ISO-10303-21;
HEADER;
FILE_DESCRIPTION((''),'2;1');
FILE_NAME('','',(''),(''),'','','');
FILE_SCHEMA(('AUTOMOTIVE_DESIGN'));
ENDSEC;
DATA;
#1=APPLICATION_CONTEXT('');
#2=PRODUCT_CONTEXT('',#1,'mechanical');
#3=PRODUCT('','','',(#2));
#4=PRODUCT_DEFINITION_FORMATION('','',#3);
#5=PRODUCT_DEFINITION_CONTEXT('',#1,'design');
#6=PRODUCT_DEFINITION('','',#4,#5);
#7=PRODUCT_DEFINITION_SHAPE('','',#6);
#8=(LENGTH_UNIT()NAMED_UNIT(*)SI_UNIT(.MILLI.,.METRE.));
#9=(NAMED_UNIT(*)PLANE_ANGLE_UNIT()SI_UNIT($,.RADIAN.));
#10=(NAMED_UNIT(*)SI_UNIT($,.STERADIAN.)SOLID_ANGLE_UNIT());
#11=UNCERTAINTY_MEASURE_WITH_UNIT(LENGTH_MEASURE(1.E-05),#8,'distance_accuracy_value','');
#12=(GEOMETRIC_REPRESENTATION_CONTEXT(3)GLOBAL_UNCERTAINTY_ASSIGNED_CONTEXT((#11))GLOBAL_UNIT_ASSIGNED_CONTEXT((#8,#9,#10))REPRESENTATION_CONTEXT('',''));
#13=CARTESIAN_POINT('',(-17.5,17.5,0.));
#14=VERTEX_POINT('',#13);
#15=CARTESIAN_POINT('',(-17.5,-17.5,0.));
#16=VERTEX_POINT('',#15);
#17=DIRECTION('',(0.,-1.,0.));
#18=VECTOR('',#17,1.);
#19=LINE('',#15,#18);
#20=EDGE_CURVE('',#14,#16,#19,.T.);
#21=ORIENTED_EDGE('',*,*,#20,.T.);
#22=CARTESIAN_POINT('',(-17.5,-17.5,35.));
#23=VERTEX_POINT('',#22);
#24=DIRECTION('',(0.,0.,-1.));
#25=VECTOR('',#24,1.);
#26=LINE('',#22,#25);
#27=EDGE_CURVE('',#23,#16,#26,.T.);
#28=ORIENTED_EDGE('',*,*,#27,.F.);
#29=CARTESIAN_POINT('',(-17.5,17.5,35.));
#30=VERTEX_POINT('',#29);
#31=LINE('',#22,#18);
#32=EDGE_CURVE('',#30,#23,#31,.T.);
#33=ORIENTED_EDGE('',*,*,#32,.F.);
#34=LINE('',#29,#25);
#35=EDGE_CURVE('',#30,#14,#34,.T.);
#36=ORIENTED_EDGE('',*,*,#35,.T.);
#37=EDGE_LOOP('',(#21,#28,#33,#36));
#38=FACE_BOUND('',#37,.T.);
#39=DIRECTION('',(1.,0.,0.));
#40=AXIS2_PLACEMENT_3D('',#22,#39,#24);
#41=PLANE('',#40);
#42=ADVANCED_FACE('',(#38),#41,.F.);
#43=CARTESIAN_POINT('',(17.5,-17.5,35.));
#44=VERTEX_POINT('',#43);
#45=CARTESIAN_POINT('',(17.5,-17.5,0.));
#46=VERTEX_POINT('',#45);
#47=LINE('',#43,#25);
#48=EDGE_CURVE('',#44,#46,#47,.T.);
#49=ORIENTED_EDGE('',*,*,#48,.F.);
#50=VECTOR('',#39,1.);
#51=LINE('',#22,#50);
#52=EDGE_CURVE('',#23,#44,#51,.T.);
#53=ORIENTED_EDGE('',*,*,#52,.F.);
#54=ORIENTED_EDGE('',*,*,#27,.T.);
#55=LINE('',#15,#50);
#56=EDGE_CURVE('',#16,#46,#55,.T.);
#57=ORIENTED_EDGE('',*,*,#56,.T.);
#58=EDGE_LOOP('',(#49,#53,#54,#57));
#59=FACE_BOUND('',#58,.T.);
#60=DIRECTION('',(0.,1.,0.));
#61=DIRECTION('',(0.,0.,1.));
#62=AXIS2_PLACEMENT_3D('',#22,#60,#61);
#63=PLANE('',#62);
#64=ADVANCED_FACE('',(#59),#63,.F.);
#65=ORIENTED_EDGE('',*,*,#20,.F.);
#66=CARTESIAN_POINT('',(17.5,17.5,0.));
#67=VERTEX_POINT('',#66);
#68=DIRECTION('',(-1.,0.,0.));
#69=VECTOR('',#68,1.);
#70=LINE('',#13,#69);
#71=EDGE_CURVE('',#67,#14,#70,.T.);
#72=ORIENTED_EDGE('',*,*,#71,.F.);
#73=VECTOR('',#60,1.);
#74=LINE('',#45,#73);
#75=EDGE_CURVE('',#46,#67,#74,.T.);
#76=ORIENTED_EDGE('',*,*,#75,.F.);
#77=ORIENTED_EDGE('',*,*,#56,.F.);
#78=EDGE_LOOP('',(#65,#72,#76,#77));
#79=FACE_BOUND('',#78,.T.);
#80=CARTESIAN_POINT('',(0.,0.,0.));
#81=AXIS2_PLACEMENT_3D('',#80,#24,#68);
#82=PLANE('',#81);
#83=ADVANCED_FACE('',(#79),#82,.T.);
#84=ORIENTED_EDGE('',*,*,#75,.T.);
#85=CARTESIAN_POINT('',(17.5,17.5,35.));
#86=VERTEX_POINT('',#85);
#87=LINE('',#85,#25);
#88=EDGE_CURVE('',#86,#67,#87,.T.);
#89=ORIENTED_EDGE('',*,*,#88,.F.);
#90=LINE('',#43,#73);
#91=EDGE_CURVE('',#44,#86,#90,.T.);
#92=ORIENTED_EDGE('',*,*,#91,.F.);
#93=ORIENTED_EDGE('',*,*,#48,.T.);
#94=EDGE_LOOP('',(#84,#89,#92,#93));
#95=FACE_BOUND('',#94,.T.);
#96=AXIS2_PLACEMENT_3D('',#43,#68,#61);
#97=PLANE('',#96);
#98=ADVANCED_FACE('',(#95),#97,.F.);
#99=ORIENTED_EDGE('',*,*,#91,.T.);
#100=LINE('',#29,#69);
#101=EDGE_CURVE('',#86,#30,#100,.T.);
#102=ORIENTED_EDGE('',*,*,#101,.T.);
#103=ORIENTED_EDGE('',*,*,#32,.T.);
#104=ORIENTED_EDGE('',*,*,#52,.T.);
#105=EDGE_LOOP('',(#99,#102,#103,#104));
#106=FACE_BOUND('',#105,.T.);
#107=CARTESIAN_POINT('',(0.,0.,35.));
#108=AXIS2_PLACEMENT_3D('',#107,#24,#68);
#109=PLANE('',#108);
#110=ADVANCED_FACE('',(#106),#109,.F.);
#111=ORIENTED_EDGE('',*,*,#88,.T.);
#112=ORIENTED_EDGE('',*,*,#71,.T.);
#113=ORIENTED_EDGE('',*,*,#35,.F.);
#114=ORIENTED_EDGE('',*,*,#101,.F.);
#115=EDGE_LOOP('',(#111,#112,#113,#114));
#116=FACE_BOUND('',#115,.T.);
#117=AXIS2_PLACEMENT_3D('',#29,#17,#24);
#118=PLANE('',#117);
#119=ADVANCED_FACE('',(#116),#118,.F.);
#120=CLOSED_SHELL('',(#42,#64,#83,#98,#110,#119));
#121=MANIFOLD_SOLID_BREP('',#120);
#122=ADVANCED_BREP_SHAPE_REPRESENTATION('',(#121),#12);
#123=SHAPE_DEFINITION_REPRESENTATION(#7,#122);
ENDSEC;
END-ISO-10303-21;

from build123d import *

# Parameters (mm, degrees)
SZKIC1_W                    = 35
SZKIC1_H                    = 35
DODANIE_WYCI_GNI_CIE1_DEPTH = 35


with BuildPart() as part:
    # Szkic1 → Dodanie-wyciągnięcie1 (new body)
    with BuildSketch(Plane.XY):
        Rectangle(SZKIC1_W, SZKIC1_H)
    extrude(amount=DODANIE_WYCI_GNI_CIE1_DEPTH)


solid = part.part
